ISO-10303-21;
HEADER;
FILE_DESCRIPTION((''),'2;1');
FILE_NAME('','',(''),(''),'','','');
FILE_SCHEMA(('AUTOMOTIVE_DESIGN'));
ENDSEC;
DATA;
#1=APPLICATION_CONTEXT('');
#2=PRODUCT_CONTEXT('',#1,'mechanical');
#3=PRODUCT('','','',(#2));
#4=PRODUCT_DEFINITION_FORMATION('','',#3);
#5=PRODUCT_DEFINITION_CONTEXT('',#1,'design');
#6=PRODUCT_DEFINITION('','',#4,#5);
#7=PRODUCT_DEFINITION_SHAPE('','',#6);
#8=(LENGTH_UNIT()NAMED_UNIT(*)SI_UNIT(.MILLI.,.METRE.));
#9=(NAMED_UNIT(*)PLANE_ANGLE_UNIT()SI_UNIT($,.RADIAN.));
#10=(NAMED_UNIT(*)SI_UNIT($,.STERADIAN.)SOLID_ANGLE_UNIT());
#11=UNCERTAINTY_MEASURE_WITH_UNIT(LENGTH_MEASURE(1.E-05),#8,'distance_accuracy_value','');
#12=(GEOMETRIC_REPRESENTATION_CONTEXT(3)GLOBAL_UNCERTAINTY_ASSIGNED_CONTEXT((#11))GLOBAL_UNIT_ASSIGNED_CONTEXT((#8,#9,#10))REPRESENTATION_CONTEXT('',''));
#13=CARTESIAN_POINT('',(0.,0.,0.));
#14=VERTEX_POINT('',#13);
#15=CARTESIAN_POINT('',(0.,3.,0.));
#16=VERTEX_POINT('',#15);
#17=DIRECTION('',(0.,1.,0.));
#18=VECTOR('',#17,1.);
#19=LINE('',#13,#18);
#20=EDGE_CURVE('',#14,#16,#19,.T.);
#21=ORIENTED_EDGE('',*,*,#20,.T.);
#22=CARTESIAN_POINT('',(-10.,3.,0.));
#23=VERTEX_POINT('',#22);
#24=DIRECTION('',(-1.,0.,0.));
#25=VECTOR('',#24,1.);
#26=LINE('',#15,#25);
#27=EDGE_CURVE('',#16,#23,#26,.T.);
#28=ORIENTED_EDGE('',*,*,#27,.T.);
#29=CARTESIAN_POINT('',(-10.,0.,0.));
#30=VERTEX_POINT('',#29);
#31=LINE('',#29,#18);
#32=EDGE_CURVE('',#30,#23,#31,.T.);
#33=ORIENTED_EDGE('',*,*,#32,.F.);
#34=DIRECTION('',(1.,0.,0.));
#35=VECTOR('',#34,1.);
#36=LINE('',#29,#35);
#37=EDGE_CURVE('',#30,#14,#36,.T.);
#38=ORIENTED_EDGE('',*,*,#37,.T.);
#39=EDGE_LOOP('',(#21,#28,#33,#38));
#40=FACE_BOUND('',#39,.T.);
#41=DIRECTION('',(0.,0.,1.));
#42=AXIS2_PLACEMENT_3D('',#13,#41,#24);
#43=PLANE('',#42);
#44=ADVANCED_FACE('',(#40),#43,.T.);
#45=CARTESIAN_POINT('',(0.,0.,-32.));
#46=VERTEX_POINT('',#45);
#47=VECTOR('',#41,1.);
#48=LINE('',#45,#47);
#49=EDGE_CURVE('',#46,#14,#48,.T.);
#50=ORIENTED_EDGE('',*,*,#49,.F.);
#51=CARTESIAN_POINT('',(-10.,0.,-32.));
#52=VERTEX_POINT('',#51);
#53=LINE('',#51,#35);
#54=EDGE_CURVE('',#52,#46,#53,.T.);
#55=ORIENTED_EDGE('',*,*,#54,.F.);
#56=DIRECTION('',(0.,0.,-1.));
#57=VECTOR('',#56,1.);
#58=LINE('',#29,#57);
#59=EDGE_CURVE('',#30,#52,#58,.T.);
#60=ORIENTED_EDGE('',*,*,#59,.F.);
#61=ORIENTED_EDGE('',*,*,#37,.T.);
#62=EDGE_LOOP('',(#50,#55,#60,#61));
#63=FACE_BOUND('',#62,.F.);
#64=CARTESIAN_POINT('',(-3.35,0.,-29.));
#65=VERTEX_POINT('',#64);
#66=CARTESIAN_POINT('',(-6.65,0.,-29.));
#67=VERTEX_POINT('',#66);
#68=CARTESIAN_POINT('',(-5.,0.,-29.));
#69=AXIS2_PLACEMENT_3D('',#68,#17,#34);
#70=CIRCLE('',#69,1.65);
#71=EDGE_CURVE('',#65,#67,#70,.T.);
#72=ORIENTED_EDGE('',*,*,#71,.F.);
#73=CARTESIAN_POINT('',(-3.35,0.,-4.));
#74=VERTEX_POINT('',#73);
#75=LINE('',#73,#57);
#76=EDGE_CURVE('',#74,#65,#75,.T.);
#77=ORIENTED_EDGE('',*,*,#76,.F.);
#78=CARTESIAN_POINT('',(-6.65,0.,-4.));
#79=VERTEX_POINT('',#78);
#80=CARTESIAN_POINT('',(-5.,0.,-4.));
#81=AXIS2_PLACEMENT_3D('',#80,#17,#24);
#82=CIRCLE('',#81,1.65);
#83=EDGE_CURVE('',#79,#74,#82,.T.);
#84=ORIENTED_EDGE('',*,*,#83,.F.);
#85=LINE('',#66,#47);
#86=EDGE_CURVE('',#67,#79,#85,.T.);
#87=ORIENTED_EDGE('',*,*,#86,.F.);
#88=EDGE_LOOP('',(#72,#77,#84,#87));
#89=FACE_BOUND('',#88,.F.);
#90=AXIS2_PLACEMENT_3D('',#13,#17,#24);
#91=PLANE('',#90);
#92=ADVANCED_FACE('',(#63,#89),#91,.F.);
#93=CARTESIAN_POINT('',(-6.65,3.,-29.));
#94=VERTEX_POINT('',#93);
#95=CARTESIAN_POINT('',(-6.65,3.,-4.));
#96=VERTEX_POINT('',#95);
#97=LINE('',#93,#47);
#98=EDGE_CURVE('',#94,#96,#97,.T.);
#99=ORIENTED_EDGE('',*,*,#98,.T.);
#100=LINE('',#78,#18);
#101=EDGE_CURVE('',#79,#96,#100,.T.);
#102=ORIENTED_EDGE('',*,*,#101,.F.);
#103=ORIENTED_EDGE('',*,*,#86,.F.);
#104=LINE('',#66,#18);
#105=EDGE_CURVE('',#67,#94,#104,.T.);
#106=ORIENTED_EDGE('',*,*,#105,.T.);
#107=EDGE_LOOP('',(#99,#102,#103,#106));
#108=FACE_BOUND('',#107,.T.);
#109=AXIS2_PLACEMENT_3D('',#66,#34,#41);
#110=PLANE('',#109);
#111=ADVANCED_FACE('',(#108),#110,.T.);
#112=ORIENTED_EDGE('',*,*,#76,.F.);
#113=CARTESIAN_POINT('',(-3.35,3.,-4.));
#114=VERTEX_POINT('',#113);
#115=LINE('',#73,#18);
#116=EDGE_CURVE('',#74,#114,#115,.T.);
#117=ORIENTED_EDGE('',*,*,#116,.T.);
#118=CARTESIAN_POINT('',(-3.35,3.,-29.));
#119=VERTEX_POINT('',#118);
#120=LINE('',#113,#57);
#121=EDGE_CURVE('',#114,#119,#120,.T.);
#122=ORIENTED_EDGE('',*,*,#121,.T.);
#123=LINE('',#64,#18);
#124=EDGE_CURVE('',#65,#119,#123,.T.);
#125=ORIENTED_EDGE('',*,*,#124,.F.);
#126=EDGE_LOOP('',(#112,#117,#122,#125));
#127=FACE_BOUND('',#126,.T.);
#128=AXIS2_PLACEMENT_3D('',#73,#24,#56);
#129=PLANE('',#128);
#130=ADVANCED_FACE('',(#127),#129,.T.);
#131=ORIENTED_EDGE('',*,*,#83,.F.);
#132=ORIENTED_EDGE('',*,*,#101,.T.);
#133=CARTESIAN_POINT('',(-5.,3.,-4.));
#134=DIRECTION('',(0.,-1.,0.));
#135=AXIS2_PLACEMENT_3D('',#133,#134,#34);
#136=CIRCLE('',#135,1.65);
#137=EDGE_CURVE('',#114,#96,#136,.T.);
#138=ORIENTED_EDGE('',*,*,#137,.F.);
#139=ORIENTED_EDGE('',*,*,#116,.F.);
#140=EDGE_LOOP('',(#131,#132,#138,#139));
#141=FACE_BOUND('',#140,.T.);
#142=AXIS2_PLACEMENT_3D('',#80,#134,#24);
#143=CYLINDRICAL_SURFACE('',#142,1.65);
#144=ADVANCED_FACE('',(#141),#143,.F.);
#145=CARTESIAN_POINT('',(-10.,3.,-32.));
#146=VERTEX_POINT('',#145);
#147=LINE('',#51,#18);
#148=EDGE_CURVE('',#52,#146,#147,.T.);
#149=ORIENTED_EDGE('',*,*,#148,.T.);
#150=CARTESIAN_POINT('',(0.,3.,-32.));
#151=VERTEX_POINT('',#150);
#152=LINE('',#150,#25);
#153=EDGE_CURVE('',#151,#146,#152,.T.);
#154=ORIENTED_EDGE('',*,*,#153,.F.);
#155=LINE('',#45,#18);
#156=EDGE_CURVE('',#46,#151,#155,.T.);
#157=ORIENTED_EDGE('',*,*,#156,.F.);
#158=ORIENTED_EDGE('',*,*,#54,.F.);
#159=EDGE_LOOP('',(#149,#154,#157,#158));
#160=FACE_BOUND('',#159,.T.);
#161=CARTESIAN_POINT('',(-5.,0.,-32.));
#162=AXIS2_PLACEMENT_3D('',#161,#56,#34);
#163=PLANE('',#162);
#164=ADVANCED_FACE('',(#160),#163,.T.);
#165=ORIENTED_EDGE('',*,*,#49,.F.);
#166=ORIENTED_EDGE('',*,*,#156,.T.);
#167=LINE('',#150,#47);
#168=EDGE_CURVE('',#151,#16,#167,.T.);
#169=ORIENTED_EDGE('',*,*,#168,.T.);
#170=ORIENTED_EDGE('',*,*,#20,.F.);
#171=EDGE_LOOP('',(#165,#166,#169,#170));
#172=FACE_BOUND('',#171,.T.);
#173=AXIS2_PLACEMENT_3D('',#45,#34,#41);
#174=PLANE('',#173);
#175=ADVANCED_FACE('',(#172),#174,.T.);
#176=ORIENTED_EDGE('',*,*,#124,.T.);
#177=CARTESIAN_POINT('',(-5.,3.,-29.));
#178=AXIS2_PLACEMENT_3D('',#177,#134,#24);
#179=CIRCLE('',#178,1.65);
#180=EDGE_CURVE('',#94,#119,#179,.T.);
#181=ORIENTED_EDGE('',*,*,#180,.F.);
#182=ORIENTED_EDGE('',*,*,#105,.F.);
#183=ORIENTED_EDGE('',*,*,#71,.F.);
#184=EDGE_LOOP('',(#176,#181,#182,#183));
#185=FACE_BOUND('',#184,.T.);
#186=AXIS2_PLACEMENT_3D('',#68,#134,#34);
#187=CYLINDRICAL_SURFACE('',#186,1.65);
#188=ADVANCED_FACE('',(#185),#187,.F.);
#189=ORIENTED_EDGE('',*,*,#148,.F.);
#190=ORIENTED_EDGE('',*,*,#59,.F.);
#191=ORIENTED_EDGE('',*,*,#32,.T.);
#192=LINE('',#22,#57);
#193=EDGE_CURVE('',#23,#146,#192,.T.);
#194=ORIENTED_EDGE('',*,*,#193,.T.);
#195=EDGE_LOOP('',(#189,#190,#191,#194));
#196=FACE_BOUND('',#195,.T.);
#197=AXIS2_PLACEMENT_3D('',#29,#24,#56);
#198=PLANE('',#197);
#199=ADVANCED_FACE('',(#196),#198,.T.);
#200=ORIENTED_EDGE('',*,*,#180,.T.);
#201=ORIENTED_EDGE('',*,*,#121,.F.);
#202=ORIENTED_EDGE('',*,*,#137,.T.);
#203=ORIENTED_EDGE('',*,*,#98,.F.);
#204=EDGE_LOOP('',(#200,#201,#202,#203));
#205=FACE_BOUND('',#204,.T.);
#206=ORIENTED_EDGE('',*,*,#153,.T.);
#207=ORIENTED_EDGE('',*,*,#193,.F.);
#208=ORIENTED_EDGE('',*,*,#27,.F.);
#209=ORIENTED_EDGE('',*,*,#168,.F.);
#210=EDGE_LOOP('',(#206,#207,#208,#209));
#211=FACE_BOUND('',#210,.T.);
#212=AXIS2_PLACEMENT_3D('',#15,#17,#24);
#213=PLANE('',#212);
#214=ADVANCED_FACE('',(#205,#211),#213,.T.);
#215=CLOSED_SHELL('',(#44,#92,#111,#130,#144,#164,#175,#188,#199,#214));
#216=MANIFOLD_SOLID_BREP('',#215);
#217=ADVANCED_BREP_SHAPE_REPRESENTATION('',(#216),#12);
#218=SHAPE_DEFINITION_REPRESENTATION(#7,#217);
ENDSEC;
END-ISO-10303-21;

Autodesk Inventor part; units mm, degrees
ref_plane "YZ Plane" through (0, 0, 0) normal (1, 0, 0) x (0, 1, 0)
ref_plane "XZ Plane" through (0, 0, 0) normal (0, 1, 0) x (-1, 0, 0)
ref_plane "XY Plane" through (0, 0, 0) normal (0, 0, 1) x (1, 0, 0)
sketch "Sketch1" plane through (0, 0, 0) normal (0, 1, 0) x (-1, 0, 0)
  line L0 (0, 0) -> (10, 0)
  line L1 (10, 0) -> (10, -32)
  line L2 (10, -32) -> (0, -32)
  line L3 (0, -32) -> (0, 0)
  line L4 (5, 0) -> (5, -4)
  line L5 (5, -32) -> (5, -29)
  line L6 (5, -4) -> (5, -29) construction
  line L7 (3.35, -4) -> (3.35, -29)
  line L8 (6.65, -29) -> (6.65, -4)
  arc A0 (6.65, -4) -> (3.35, -4) centre (5, -4) ccw
  arc A1 (3.35, -29) -> (6.65, -29) centre (5, -29) ccw
  point P0 (5, -16.5)
  dimension "d0" = 10
  dimension "d1" = 32
  dimension "d2" = 4
  dimension "d3" = 3
  dimension "d4" = 3.3
extrude "Extrusion1" add sketch "Sketch1" along normal blind 3 contours L0 L4 A0 L7 A1 L5 L2 L3 | L0 L1 L2 L5 A1 L8 A0 L4
properties part number "BeltMount2"
